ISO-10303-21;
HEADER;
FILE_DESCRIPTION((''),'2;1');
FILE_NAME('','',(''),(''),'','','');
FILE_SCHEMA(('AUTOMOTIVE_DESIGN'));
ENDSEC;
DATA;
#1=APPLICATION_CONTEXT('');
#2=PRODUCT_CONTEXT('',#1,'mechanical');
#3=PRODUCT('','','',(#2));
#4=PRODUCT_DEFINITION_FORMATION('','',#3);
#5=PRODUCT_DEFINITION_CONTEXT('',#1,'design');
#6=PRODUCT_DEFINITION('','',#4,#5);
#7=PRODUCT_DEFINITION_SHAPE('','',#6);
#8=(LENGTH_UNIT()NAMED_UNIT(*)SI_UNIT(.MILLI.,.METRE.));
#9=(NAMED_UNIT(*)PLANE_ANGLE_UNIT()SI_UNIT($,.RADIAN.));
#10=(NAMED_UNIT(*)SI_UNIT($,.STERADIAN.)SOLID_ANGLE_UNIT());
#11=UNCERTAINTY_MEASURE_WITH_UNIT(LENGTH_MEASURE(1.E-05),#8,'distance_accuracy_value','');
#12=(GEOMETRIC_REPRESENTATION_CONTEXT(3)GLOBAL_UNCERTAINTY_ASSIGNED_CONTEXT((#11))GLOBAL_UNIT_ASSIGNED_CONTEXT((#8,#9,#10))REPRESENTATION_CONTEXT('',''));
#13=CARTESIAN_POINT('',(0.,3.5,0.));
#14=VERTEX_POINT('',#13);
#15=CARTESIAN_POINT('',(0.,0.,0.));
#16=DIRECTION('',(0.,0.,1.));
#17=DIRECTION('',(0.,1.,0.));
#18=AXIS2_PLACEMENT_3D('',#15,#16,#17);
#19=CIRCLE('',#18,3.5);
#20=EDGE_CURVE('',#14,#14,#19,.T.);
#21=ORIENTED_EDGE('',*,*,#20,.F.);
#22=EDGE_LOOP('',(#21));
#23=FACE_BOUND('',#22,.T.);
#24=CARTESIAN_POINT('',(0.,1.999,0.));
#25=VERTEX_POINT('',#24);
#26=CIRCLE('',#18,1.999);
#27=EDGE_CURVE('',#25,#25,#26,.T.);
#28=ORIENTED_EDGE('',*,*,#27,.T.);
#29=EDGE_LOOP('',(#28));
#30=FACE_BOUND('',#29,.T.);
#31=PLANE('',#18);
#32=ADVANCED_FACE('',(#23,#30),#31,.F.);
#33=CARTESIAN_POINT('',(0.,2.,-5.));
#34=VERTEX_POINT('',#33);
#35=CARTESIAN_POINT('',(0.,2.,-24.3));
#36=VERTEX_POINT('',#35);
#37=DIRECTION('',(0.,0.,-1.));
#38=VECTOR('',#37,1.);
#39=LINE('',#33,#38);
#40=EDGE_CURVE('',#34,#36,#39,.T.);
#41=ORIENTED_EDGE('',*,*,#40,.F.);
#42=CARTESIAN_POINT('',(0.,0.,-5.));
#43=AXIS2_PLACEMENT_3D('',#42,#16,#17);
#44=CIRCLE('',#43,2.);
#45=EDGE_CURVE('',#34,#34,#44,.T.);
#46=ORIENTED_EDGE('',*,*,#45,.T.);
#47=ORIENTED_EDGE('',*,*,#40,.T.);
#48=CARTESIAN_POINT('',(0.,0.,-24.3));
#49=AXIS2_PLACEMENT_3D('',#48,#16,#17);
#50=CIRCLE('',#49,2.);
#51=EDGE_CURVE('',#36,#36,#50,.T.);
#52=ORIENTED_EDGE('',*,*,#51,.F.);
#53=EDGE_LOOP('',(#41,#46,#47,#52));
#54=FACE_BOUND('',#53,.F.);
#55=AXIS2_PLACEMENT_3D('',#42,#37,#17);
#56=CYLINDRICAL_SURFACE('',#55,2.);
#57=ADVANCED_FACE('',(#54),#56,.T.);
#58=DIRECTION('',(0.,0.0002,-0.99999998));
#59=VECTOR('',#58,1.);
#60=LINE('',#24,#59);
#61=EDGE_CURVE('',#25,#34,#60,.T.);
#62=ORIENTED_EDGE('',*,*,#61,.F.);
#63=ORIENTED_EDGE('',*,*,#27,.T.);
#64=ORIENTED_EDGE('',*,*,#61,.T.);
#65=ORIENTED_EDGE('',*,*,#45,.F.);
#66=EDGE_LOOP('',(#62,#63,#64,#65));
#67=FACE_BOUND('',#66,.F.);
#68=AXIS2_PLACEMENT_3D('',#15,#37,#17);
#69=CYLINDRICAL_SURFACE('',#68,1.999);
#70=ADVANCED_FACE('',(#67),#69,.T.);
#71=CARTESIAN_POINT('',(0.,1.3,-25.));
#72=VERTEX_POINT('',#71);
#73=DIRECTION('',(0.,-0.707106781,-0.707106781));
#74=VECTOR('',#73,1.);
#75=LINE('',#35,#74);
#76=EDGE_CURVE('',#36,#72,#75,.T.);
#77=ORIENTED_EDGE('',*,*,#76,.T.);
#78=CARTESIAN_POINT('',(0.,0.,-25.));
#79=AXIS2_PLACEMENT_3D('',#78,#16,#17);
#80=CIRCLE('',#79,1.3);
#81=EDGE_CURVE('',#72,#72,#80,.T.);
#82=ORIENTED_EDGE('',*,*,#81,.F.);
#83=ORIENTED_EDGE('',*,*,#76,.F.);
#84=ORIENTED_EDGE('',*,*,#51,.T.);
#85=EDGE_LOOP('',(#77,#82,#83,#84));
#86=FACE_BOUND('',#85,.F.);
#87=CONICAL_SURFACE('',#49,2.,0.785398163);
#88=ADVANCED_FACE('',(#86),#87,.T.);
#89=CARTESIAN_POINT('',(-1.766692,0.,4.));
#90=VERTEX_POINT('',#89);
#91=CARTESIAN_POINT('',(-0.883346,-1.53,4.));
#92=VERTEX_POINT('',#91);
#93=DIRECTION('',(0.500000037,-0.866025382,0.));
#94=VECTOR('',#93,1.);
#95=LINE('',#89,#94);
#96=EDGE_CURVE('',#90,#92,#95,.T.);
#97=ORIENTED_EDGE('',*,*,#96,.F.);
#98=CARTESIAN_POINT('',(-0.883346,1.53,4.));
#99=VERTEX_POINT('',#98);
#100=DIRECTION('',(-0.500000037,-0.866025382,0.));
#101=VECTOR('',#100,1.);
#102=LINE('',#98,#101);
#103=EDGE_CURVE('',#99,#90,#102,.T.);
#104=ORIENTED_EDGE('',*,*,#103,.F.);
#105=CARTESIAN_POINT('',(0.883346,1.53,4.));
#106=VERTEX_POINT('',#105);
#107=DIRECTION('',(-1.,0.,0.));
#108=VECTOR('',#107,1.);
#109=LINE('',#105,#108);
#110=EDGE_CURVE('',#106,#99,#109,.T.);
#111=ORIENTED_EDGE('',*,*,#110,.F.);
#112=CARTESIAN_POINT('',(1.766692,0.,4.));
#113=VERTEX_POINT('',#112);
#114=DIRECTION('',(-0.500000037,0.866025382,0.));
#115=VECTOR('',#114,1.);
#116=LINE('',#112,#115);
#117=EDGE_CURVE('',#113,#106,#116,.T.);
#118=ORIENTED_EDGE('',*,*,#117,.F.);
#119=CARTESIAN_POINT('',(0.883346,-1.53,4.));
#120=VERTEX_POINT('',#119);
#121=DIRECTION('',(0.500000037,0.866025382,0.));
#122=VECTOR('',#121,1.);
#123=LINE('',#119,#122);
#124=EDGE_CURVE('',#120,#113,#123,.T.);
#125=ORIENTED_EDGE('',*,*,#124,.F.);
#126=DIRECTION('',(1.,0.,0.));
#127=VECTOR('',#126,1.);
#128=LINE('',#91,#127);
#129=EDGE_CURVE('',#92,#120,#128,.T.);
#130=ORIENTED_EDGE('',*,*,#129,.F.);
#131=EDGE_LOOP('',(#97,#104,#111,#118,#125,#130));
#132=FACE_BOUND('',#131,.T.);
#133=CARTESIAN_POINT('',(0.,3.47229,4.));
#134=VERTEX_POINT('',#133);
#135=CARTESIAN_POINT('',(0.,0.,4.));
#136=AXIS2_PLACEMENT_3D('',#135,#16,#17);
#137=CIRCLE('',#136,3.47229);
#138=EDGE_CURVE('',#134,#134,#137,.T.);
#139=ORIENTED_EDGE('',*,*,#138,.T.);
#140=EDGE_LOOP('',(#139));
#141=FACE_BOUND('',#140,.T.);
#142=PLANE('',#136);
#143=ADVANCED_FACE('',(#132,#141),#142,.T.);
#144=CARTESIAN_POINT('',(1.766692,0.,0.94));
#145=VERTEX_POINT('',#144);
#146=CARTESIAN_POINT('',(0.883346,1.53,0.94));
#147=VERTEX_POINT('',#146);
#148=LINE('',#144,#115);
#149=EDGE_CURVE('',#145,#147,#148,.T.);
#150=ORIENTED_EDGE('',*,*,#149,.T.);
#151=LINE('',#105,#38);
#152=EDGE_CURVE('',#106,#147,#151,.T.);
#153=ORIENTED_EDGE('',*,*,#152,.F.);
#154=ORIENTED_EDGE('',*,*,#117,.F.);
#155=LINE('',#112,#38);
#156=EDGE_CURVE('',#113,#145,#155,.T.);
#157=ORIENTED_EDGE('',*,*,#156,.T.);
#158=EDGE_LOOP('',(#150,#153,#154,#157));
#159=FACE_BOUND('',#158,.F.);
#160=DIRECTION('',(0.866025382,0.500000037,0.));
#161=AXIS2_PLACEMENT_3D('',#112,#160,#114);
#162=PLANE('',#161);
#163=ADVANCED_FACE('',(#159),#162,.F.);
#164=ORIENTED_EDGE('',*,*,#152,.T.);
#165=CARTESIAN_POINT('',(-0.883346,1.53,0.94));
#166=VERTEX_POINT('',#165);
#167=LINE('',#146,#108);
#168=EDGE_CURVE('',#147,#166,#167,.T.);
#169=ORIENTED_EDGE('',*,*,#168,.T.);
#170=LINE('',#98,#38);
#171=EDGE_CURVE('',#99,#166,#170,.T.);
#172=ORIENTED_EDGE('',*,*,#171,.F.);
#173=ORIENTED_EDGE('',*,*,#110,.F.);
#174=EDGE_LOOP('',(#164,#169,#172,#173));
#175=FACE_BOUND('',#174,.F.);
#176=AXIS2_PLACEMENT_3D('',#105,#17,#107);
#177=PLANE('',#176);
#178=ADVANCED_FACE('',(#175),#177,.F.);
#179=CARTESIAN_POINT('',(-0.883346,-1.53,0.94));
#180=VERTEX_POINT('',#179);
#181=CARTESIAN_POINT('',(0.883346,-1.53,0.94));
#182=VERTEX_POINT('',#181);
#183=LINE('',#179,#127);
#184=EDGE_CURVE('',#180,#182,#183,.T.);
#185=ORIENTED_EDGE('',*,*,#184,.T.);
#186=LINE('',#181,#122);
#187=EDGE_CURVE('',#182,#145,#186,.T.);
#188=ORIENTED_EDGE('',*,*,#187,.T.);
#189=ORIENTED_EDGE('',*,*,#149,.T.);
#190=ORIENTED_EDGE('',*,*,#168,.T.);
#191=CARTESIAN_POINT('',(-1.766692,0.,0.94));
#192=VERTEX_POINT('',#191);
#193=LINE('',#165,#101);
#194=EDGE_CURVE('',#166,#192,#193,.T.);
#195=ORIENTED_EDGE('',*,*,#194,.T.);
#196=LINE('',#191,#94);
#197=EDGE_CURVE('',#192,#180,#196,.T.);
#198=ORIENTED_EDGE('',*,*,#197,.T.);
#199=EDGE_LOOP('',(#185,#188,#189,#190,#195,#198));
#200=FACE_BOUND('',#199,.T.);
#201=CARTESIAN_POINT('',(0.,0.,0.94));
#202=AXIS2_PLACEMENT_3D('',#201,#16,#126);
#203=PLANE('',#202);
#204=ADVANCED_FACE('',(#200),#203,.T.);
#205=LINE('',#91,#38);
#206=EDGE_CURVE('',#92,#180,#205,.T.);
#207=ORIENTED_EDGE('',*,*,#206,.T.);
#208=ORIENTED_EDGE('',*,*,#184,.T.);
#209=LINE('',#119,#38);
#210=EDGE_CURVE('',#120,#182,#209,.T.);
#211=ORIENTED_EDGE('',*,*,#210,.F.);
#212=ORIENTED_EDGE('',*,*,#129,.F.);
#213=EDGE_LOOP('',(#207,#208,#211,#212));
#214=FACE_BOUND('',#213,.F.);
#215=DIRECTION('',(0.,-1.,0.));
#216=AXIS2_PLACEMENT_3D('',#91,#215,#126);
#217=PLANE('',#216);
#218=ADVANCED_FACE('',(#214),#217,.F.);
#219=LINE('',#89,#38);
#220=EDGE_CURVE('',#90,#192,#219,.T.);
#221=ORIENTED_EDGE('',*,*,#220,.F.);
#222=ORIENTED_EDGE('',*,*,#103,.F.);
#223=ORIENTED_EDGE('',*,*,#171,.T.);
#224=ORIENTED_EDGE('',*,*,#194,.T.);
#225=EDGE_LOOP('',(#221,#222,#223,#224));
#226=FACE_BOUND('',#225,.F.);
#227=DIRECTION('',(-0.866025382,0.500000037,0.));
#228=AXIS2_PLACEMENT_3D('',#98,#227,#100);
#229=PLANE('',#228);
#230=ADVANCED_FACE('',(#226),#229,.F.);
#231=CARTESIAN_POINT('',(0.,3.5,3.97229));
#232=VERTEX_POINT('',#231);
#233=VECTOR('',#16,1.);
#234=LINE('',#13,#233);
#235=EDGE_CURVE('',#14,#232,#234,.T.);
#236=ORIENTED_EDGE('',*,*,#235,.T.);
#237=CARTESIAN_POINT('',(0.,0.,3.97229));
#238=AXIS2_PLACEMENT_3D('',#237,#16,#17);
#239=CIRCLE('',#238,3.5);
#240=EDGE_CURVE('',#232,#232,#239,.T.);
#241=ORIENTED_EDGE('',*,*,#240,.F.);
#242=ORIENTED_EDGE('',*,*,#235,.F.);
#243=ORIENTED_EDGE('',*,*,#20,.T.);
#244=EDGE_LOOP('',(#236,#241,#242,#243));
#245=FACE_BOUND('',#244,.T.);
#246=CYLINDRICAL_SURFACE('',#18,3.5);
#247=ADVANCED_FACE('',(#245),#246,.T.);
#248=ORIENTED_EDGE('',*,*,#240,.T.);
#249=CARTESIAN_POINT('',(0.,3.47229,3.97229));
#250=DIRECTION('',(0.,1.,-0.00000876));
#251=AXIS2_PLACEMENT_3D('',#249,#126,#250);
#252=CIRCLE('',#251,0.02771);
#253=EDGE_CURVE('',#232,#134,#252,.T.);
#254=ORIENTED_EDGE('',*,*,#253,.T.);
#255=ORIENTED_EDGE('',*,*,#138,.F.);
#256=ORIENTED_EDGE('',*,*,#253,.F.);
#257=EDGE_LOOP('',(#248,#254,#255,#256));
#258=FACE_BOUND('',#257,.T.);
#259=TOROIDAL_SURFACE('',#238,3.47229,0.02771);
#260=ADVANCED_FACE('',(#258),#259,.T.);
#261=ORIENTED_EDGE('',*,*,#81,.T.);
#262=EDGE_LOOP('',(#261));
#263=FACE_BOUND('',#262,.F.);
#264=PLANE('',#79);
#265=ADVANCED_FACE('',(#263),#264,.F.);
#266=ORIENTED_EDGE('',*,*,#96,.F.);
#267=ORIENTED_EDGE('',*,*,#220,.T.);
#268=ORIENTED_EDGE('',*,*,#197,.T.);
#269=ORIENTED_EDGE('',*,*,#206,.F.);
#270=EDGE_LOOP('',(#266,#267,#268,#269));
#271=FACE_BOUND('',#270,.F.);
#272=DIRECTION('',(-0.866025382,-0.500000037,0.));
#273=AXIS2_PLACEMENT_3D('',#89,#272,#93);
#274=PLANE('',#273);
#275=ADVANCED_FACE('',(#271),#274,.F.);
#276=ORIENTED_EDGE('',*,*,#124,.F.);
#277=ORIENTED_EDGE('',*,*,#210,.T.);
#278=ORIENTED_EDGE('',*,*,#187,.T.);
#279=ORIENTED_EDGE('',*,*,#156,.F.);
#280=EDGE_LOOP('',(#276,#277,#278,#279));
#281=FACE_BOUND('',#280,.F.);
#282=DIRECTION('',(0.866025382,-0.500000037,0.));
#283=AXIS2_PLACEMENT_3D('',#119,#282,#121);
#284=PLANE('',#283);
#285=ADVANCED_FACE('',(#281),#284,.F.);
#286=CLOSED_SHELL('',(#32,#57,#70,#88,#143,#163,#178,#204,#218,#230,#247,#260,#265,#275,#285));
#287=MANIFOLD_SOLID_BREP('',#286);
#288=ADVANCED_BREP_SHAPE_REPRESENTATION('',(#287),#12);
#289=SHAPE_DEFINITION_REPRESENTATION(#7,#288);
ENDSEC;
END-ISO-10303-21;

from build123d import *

# Parameters (mm, degrees)
POCKET_DEPTH = 3.06


with BuildPart() as part:
    # Sketch → Revolve (revolve)
    with BuildSketch(Plane.YZ):
        with BuildLine():
            Line((1.999, 0), (3.5, 0))
            Line((3.5, 0), (3.5, 3.97229))
            ThreePointArc((3.5, 3.97229), (3.491884, 3.991884), (3.47229, 4))
            Line((3.47229, 4), (0, 4))
            Line((0, -25), (0, 4))
            Line((1.3, -25), (0, -25))
            Line((2, -24.3), (1.3, -25))
            Line((2, -5), (2, -24.3))
            Line((1.999, 0), (2, -5))
        make_face()
    revolve(axis=Axis((0, 0, 0), (0, 0, 1)))

    # Sketch001 → Pocket (cut)
    with BuildSketch(Plane.XY.offset(4)):
        Polygon((1.766692, 0), (0.883346, 1.53), (-0.883346, 1.53), (-1.766692, 0), (-0.883346, -1.53), (0.883346, -1.53), align=None)
    extrude(amount=-POCKET_DEPTH, mode=Mode.SUBTRACT)


solid = part.part
